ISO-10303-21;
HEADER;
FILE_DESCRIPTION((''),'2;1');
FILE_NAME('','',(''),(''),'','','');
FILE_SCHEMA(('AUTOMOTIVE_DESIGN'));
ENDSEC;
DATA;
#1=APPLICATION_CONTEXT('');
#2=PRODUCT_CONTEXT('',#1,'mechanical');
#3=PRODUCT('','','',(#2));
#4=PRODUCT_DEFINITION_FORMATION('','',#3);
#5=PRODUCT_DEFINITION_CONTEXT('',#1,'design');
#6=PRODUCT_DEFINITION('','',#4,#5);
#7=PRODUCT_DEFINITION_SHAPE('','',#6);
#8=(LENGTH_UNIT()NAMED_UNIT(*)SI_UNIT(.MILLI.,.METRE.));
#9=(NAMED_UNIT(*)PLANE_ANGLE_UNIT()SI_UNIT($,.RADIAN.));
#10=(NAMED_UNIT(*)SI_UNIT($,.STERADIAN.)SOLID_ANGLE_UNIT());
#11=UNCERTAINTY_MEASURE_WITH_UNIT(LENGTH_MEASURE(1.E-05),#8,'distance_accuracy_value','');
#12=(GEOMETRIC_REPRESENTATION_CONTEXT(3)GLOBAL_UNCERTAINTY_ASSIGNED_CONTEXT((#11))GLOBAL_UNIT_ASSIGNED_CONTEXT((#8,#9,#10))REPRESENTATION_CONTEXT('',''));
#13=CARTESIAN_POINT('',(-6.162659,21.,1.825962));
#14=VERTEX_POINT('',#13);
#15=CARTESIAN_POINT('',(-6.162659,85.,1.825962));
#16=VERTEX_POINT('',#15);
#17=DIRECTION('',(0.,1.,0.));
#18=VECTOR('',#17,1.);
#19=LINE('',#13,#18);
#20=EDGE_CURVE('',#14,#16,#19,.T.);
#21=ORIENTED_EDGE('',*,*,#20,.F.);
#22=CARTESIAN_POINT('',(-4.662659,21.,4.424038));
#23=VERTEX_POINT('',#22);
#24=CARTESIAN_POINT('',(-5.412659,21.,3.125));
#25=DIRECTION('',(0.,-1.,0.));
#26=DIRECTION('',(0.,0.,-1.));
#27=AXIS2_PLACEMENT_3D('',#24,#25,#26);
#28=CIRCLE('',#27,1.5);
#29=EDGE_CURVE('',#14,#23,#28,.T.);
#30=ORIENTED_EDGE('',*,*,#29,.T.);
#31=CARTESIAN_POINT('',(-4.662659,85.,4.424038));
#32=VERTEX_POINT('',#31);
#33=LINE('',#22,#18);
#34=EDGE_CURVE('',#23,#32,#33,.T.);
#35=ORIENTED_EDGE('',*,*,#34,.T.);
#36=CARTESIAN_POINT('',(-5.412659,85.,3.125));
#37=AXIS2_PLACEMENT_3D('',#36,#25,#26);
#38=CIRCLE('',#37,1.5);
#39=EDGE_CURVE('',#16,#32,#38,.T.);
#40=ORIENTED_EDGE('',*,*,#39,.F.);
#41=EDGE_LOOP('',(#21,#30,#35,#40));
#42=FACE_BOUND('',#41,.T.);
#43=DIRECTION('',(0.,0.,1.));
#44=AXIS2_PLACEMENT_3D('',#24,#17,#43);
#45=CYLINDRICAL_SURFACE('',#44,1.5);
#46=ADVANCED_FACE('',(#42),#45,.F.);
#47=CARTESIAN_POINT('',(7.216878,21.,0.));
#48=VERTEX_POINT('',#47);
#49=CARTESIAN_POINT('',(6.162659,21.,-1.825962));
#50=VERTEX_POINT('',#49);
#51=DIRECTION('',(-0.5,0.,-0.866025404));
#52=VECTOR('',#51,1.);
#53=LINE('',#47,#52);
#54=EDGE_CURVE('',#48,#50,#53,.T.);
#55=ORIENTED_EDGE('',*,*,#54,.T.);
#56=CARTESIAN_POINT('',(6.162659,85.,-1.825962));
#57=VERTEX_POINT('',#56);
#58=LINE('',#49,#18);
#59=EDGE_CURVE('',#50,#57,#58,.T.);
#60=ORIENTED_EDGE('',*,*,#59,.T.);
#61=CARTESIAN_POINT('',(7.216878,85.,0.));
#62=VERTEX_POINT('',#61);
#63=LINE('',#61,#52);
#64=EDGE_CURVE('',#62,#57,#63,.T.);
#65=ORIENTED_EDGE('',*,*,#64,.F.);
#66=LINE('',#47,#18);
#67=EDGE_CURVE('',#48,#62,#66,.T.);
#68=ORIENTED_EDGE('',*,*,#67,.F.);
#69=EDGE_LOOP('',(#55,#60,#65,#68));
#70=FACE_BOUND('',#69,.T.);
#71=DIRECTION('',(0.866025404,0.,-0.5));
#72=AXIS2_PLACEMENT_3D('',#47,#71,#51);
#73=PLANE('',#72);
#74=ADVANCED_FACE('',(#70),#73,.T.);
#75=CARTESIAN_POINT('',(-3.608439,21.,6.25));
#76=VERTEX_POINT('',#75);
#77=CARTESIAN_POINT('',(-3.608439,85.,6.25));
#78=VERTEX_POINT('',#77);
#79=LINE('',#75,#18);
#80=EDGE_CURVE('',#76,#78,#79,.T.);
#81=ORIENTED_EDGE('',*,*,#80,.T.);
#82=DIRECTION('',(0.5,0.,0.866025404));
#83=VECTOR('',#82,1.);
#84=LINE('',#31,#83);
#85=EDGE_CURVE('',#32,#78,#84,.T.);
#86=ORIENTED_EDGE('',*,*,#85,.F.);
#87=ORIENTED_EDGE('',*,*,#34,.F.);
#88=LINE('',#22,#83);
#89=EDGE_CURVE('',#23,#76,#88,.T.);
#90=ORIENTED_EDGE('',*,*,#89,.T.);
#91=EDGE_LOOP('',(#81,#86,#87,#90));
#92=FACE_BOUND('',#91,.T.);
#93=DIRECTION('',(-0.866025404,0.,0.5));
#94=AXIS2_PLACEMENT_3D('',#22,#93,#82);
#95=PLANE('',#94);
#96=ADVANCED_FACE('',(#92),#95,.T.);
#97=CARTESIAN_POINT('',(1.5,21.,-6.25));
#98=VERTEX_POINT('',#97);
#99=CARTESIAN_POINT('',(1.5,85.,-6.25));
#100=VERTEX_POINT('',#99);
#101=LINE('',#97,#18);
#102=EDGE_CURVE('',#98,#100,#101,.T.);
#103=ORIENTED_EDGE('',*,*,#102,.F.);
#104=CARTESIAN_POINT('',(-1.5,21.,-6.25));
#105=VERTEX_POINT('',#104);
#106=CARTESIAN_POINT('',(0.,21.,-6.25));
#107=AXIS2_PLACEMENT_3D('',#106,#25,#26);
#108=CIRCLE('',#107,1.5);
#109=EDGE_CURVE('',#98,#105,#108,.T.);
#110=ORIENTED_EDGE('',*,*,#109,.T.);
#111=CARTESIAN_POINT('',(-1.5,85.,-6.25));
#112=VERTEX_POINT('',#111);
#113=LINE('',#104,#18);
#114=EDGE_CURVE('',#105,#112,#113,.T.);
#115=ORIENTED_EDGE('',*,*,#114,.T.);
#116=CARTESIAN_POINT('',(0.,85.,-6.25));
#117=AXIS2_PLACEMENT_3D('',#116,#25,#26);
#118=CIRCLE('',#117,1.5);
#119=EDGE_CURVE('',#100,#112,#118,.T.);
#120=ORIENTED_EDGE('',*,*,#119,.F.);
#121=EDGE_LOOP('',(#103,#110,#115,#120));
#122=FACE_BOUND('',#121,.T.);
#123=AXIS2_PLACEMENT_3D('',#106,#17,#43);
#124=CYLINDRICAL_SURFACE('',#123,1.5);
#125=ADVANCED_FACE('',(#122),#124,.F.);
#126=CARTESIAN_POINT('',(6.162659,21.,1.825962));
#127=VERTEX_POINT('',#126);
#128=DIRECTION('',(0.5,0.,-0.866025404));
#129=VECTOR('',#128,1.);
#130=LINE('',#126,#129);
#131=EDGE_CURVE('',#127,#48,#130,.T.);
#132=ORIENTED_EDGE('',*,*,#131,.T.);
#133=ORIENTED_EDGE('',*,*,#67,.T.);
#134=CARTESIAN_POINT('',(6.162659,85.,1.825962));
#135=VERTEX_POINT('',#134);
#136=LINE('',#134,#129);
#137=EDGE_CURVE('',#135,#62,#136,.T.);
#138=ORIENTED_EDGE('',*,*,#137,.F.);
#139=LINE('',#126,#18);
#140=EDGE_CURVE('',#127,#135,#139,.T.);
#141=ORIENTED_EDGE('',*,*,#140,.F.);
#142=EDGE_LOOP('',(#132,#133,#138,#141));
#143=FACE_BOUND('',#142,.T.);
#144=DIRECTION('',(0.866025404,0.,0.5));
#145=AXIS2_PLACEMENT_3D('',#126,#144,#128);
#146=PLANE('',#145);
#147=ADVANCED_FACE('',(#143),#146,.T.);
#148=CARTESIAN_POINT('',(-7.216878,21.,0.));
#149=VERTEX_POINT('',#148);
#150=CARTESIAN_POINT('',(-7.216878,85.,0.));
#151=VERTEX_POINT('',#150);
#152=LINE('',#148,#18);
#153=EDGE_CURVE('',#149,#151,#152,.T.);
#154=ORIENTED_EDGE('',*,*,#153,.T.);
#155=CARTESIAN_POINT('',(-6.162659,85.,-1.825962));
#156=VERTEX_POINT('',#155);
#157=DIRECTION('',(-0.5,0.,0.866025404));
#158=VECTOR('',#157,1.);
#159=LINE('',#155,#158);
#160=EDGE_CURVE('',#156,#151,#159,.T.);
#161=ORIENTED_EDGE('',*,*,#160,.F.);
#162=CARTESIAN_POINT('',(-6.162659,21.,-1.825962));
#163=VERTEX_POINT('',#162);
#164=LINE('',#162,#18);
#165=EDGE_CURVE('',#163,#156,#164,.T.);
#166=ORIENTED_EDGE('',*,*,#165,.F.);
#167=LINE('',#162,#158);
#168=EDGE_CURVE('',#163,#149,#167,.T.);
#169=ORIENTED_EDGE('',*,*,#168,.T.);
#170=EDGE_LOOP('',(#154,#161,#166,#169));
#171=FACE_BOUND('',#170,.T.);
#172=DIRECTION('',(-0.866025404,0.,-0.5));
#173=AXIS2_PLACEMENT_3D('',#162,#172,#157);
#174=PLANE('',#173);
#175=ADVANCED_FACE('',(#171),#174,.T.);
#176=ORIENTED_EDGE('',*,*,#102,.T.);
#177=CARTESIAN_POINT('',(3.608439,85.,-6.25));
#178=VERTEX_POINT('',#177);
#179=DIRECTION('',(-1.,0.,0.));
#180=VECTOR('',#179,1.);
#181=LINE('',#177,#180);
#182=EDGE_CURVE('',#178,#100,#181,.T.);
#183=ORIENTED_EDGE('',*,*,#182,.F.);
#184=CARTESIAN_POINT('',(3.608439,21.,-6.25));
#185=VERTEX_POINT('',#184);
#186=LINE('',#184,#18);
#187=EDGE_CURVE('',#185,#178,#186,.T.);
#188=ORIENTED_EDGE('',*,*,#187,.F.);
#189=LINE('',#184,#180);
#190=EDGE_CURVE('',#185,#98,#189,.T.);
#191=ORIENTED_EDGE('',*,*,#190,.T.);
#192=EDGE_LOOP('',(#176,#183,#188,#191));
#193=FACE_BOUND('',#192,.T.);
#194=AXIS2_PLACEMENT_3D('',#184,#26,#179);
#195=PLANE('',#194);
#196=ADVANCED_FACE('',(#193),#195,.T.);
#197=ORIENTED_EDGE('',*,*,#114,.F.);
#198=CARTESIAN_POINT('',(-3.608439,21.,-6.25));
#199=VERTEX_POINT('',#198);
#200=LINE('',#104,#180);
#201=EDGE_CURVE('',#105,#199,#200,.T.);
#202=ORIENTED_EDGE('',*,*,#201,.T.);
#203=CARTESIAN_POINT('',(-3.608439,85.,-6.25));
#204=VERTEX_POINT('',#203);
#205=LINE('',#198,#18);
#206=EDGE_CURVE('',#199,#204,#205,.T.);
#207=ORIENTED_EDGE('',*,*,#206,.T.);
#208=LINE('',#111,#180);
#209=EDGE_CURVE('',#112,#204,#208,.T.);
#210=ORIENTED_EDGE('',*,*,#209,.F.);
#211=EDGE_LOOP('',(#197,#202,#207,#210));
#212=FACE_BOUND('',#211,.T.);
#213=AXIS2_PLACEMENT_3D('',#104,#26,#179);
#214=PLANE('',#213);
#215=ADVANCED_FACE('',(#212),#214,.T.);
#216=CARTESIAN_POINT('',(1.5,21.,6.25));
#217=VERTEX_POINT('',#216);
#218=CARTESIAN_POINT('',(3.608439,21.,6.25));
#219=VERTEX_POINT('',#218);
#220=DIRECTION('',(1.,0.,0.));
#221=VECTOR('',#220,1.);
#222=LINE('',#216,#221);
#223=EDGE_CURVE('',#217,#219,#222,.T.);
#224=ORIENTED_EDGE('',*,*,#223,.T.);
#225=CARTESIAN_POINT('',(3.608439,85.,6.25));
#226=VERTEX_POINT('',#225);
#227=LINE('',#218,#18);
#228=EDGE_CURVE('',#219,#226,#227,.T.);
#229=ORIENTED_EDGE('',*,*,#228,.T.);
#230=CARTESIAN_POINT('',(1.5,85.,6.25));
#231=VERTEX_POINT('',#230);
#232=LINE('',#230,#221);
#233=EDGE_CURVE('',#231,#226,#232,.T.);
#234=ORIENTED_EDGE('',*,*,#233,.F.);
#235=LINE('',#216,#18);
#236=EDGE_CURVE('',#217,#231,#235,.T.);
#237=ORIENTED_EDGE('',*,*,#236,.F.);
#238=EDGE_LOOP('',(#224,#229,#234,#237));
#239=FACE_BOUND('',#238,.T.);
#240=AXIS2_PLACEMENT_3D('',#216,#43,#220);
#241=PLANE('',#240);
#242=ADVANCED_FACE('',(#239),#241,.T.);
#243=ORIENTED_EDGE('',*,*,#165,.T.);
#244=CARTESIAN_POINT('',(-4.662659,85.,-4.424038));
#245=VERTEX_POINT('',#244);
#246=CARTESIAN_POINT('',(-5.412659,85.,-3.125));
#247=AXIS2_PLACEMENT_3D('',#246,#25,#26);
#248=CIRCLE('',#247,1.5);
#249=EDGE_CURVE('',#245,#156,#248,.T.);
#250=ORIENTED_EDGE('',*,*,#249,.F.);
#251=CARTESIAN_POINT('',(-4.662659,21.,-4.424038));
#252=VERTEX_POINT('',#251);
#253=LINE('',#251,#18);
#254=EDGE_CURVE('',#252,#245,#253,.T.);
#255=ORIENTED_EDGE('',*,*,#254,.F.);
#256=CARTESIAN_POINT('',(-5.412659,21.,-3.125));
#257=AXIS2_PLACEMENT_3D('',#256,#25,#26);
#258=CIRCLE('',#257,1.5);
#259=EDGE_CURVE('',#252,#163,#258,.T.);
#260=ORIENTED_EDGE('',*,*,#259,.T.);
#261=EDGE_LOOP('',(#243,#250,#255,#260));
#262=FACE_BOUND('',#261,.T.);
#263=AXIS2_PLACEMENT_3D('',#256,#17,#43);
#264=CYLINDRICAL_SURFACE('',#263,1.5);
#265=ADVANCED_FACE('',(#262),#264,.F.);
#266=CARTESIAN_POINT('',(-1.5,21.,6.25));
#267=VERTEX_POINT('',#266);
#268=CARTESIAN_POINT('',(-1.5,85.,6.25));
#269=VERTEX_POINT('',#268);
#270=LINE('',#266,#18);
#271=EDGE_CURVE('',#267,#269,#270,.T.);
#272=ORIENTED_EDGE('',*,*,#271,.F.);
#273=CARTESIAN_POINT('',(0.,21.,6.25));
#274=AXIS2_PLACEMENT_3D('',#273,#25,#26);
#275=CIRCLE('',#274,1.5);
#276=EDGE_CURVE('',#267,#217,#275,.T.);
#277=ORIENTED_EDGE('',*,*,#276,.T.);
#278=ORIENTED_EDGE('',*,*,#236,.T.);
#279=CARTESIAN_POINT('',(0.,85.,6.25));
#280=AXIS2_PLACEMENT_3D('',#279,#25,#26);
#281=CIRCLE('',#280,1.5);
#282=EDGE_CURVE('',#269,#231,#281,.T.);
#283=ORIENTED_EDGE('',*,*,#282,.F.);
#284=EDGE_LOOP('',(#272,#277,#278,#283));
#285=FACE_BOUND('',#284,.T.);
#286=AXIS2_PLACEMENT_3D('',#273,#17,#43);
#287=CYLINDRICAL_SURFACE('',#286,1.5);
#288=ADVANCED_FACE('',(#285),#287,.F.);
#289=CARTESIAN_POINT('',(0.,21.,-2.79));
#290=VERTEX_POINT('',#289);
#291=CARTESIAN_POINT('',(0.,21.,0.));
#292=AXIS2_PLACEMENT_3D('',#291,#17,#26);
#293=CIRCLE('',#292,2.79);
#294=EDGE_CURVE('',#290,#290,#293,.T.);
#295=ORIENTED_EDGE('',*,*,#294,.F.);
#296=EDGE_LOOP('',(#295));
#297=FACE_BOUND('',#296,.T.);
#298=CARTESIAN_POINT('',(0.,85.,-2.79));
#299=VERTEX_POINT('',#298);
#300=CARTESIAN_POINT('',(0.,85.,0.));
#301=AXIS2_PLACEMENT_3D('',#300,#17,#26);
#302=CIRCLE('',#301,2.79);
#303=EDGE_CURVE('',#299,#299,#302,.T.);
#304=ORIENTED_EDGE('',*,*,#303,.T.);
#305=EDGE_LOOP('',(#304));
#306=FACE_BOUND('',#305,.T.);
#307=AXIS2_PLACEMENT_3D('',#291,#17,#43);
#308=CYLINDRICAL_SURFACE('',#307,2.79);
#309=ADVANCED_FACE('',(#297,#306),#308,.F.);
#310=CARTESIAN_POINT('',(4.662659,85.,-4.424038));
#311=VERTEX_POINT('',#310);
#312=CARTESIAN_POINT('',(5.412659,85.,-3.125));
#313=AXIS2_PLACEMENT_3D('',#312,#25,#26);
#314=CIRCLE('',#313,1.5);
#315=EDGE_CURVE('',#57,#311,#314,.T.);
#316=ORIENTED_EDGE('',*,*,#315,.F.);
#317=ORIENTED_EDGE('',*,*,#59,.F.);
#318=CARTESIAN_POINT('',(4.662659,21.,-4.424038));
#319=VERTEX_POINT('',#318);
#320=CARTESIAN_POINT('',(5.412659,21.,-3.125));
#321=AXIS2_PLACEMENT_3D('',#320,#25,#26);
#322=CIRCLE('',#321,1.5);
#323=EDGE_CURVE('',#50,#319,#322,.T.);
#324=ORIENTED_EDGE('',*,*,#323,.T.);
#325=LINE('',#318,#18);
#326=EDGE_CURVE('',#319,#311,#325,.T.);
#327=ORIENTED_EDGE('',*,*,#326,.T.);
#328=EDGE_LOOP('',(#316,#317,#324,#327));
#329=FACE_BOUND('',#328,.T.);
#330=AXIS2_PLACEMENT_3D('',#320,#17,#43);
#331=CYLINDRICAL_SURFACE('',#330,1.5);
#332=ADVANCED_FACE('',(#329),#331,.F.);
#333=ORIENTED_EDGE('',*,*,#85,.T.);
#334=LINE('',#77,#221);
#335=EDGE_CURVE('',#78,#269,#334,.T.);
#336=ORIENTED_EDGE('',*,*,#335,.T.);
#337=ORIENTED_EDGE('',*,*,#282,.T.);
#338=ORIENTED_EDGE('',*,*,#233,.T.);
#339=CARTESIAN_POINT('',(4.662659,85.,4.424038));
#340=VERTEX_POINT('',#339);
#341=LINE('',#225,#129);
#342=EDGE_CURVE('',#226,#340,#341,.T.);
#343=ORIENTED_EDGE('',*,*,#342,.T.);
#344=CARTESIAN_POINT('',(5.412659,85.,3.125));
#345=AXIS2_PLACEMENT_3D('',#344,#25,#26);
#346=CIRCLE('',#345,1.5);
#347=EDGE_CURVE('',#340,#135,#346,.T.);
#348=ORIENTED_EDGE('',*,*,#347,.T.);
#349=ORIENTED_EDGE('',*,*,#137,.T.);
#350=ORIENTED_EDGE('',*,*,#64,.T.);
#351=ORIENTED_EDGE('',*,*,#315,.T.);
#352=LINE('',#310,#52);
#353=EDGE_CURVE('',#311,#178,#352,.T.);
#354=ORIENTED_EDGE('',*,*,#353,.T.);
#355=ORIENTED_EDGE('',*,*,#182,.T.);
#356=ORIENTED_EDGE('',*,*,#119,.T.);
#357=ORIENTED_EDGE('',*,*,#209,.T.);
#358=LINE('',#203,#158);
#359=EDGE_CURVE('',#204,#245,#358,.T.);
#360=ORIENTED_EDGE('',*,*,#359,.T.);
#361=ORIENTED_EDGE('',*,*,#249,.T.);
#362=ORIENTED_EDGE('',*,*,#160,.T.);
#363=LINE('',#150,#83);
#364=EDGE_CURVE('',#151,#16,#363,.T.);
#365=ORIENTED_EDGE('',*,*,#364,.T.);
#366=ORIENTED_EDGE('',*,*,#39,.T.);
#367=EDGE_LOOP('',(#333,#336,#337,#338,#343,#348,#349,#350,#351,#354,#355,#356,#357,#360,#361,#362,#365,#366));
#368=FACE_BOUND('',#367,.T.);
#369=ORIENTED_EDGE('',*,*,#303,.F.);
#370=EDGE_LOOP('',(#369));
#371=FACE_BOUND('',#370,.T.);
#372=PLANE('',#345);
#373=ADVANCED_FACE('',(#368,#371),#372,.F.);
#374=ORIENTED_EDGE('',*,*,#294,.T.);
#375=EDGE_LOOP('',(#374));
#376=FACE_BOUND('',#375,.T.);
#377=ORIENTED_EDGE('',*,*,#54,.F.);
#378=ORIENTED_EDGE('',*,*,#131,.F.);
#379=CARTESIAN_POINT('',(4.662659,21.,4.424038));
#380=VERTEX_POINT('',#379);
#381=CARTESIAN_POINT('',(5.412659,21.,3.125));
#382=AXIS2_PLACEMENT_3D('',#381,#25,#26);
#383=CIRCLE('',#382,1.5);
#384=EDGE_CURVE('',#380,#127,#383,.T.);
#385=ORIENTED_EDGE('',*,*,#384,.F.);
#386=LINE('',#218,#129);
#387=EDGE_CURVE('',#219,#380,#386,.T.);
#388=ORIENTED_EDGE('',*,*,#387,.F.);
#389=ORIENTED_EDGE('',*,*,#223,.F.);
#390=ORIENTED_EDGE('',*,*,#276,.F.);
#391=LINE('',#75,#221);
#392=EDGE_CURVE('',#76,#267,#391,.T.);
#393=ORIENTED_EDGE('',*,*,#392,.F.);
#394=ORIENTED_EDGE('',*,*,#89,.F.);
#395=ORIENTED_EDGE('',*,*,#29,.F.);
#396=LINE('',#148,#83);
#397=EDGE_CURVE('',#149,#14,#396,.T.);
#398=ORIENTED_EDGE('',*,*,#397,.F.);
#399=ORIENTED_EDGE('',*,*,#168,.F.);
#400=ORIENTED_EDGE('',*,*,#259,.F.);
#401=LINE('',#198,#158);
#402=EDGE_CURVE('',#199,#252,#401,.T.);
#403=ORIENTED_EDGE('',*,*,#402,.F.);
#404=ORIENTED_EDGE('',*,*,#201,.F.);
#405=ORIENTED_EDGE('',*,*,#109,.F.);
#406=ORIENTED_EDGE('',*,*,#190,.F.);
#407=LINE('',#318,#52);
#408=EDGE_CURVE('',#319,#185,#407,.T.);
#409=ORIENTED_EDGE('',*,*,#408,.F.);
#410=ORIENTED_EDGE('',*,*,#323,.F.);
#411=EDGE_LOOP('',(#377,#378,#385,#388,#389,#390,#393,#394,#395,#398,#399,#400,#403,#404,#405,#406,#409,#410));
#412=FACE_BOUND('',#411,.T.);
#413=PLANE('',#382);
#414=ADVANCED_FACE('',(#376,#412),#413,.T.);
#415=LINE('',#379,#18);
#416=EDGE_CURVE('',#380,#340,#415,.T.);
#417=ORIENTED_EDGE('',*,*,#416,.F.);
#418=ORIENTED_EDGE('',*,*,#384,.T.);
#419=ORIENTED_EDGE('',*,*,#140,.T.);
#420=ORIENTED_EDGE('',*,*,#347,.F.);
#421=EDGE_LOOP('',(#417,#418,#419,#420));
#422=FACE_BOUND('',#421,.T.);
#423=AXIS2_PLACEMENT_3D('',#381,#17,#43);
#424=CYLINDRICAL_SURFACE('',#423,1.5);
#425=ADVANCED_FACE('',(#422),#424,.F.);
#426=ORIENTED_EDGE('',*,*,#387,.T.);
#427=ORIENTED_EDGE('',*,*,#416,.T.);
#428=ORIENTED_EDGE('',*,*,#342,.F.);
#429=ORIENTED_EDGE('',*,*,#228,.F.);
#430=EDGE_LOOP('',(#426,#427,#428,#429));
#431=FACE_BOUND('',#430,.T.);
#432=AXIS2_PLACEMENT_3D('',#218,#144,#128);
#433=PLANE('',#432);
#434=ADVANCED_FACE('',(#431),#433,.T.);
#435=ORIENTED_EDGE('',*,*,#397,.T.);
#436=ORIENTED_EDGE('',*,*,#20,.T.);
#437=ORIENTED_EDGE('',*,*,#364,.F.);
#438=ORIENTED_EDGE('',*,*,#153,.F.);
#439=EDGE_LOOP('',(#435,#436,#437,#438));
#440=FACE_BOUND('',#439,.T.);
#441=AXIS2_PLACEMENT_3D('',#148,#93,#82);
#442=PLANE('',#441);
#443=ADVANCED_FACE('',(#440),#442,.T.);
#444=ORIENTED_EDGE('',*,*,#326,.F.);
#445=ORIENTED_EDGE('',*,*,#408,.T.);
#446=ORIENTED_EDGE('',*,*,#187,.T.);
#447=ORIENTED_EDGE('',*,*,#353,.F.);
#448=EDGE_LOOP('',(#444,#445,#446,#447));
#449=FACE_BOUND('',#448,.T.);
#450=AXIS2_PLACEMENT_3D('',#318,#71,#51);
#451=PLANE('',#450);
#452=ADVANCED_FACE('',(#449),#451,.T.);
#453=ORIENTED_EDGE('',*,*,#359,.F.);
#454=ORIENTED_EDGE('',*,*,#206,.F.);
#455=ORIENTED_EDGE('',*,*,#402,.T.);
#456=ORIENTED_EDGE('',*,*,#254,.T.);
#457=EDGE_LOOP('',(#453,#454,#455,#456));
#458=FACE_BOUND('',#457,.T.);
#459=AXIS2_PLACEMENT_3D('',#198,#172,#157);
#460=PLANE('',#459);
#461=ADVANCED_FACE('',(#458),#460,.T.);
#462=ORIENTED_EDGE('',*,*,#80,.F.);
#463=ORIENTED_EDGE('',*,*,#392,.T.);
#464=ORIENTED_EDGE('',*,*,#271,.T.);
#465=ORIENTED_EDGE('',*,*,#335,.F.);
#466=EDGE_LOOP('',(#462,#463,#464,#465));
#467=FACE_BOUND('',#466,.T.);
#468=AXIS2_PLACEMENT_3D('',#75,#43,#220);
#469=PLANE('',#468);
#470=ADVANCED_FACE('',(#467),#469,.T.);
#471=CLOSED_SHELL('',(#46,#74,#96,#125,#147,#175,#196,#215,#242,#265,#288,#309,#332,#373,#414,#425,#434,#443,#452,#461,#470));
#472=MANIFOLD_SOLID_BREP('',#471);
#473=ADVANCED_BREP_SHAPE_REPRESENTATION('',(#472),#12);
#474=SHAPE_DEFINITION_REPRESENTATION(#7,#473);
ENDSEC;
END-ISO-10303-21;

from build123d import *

# Parameters (mm, degrees)
ESBO_O1_R                = 2.79
RESSALTO_EXTRUS_O1_DEPTH = 64


with BuildPart() as part:
    # Esboço1 → Ressalto-extrusão1 (new body)
    with BuildSketch(Plane(origin=(0, 85, 0), x_dir=(1, 0, 0), z_dir=(0, 1, 0))):
        with BuildLine():
            Line((6.162658774, -1.825961894), (7.216878365, 0))
            Line((7.216878365, 0), (6.162658774, 1.825961894))
            ThreePointArc((6.162658774, 1.825961894), (4.113620668, 2.375), (4.662658774, 4.424038106))
            Line((4.662658774, 4.424038106), (3.608439182, 6.25))
            Line((3.608439182, 6.25), (1.5, 6.25))
            ThreePointArc((1.5, 6.25), (0, 4.75), (-1.5, 6.25))
            Line((-1.5, 6.25), (-3.608439182, 6.25))
            Line((-3.608439182, 6.25), (-4.662658774, 4.424038106))
            ThreePointArc((-4.662658774, 4.424038106), (-4.113620668, 2.375), (-6.162658774, 1.825961894))
            Line((-6.162658774, 1.825961894), (-7.216878365, 0))
            Line((-7.216878365, 0), (-6.162658774, -1.825961894))
            ThreePointArc((-6.162658774, -1.825961894), (-4.113620668, -2.375), (-4.662658774, -4.424038106))
            Line((-4.662658774, -4.424038106), (-3.608439182, -6.25))
            Line((-3.608439182, -6.25), (-1.5, -6.25))
            ThreePointArc((-1.5, -6.25), (0, -4.75), (1.5, -6.25))
            Line((1.5, -6.25), (3.608439182, -6.25))
            Line((3.608439182, -6.25), (4.662658774, -4.424038106))
            ThreePointArc((4.662658774, -4.424038106), (4.113620668, -2.375), (6.162658774, -1.825961894))
        make_face()
        Circle(ESBO_O1_R, mode=Mode.SUBTRACT)
    extrude(amount=-RESSALTO_EXTRUS_O1_DEPTH)


solid = part.part
